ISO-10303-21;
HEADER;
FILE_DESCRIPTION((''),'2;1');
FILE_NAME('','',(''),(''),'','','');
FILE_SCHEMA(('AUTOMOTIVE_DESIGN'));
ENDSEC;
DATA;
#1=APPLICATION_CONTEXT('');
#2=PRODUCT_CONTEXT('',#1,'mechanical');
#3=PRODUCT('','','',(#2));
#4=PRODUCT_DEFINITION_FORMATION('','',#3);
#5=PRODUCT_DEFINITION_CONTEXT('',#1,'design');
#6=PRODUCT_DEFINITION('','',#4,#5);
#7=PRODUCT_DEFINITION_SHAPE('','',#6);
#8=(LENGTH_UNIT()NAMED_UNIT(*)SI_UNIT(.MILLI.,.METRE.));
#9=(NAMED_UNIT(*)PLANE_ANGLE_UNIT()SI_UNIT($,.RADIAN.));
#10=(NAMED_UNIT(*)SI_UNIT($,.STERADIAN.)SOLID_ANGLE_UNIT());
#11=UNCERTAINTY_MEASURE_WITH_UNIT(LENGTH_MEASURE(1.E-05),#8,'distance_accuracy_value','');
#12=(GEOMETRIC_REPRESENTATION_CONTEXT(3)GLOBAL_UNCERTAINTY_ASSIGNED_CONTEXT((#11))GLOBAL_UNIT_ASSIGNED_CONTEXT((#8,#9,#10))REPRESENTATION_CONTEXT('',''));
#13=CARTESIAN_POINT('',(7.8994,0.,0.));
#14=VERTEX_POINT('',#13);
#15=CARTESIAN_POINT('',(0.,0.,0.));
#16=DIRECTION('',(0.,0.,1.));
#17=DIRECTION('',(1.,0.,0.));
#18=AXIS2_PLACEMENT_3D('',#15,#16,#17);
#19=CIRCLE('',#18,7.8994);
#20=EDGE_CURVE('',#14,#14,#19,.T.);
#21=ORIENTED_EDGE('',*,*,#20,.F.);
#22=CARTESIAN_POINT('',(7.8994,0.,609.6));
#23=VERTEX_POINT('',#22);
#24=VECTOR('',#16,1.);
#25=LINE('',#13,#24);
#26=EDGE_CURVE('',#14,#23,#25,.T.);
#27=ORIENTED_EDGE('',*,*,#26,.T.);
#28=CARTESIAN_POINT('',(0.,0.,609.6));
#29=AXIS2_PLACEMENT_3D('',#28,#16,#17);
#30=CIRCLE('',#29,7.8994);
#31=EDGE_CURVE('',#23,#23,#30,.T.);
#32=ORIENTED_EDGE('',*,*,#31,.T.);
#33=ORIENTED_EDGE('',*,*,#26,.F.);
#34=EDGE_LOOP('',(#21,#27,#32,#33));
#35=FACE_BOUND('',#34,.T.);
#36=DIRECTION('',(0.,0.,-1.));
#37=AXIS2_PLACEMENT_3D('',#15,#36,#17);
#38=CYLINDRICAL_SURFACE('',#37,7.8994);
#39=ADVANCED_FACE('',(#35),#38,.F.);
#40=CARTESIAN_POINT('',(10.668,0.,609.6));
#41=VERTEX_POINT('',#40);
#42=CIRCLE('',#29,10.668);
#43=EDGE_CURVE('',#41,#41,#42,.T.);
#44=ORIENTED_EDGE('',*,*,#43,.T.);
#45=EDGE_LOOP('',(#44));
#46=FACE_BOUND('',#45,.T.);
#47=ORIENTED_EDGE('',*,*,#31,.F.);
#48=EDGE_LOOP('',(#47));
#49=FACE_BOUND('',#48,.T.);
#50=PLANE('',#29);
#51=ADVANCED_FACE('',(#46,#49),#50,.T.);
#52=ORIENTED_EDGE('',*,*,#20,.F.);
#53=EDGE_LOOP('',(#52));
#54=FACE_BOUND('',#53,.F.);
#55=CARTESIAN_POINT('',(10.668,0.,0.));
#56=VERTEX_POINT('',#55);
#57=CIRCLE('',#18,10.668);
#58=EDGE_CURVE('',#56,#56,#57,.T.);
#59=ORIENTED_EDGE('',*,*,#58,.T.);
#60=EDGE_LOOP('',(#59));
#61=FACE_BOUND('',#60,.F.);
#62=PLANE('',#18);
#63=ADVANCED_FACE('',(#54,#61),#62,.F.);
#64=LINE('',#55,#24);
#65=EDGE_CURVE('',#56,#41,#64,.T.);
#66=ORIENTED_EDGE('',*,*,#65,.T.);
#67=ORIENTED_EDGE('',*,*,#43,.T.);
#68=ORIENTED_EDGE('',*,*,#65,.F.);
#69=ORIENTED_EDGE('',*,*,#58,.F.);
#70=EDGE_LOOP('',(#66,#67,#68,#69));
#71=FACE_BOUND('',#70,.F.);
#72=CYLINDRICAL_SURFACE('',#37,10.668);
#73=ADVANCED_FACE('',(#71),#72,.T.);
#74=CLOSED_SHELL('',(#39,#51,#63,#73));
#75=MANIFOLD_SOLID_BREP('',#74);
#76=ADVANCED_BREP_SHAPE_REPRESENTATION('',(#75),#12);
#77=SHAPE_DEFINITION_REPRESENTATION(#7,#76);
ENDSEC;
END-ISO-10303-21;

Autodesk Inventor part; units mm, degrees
ref_plane "YZ Plane" through (0, 0, 0) normal (1, 0, 0) x (0, 1, 0)
ref_plane "Start plane" through (0, 0, 0) normal (0, 0, 1) x (1, 0, 0)
ref_plane "End plane" through (0, 0, 609.6) normal (0, 0, 1) x (1, 0, 0)
sketch "Sketch1" plane through (0, 0, 0) normal (0, 0, 1) x (1, 0, 0)
  circle A0 centre (0, 0) radius 10.668
  circle A1 centre (0, 0) radius 7.8994
  dimension "d0" = 21.336
  dimension "d1" = 2.7686
extrude "Body" add sketch "Sketch1" along normal up to surface (609.6 mm away) from surface at 0
sketch "Sketch2" plane through (0, 0, 0) normal (0, 0, 1) x (1, 0, 0)
  line L0 (0, 0) -> (10, 0)
ref_plane "Work Plane3" through (0, 0, 0) normal (0, -1, 0) x (1, 0, 0)
sketch "Sketch3" plane through (0, 0, 0) normal (0, -1, 0) x (1, 0, 0)
  line L0 (-2, 0) -> (12, 0)
  line L1 (-2, 609.6) -> (12, 609.6)
  dimension "d8" = 609.6
equation "\"d0\" = Diam"
equation "\"d1\" = ParT"
equation "\"d2\" = G_L"
equation "\"Diam\" = 21.336"
equation "\"ParT\" = 2.7686"
equation "\"G_L\" = d8"
equation "\"G_OFFSET_START\" = 0"
equation "\"G_OFFSET_END\" = 0"
equation "\"d6\" = G_OFFSET_END + B_L"
equation "\"B_L\" = 609.6"
properties part number "ANSI/AISC Rolled Steel - 1/2-24" material "Steel, Mild"
